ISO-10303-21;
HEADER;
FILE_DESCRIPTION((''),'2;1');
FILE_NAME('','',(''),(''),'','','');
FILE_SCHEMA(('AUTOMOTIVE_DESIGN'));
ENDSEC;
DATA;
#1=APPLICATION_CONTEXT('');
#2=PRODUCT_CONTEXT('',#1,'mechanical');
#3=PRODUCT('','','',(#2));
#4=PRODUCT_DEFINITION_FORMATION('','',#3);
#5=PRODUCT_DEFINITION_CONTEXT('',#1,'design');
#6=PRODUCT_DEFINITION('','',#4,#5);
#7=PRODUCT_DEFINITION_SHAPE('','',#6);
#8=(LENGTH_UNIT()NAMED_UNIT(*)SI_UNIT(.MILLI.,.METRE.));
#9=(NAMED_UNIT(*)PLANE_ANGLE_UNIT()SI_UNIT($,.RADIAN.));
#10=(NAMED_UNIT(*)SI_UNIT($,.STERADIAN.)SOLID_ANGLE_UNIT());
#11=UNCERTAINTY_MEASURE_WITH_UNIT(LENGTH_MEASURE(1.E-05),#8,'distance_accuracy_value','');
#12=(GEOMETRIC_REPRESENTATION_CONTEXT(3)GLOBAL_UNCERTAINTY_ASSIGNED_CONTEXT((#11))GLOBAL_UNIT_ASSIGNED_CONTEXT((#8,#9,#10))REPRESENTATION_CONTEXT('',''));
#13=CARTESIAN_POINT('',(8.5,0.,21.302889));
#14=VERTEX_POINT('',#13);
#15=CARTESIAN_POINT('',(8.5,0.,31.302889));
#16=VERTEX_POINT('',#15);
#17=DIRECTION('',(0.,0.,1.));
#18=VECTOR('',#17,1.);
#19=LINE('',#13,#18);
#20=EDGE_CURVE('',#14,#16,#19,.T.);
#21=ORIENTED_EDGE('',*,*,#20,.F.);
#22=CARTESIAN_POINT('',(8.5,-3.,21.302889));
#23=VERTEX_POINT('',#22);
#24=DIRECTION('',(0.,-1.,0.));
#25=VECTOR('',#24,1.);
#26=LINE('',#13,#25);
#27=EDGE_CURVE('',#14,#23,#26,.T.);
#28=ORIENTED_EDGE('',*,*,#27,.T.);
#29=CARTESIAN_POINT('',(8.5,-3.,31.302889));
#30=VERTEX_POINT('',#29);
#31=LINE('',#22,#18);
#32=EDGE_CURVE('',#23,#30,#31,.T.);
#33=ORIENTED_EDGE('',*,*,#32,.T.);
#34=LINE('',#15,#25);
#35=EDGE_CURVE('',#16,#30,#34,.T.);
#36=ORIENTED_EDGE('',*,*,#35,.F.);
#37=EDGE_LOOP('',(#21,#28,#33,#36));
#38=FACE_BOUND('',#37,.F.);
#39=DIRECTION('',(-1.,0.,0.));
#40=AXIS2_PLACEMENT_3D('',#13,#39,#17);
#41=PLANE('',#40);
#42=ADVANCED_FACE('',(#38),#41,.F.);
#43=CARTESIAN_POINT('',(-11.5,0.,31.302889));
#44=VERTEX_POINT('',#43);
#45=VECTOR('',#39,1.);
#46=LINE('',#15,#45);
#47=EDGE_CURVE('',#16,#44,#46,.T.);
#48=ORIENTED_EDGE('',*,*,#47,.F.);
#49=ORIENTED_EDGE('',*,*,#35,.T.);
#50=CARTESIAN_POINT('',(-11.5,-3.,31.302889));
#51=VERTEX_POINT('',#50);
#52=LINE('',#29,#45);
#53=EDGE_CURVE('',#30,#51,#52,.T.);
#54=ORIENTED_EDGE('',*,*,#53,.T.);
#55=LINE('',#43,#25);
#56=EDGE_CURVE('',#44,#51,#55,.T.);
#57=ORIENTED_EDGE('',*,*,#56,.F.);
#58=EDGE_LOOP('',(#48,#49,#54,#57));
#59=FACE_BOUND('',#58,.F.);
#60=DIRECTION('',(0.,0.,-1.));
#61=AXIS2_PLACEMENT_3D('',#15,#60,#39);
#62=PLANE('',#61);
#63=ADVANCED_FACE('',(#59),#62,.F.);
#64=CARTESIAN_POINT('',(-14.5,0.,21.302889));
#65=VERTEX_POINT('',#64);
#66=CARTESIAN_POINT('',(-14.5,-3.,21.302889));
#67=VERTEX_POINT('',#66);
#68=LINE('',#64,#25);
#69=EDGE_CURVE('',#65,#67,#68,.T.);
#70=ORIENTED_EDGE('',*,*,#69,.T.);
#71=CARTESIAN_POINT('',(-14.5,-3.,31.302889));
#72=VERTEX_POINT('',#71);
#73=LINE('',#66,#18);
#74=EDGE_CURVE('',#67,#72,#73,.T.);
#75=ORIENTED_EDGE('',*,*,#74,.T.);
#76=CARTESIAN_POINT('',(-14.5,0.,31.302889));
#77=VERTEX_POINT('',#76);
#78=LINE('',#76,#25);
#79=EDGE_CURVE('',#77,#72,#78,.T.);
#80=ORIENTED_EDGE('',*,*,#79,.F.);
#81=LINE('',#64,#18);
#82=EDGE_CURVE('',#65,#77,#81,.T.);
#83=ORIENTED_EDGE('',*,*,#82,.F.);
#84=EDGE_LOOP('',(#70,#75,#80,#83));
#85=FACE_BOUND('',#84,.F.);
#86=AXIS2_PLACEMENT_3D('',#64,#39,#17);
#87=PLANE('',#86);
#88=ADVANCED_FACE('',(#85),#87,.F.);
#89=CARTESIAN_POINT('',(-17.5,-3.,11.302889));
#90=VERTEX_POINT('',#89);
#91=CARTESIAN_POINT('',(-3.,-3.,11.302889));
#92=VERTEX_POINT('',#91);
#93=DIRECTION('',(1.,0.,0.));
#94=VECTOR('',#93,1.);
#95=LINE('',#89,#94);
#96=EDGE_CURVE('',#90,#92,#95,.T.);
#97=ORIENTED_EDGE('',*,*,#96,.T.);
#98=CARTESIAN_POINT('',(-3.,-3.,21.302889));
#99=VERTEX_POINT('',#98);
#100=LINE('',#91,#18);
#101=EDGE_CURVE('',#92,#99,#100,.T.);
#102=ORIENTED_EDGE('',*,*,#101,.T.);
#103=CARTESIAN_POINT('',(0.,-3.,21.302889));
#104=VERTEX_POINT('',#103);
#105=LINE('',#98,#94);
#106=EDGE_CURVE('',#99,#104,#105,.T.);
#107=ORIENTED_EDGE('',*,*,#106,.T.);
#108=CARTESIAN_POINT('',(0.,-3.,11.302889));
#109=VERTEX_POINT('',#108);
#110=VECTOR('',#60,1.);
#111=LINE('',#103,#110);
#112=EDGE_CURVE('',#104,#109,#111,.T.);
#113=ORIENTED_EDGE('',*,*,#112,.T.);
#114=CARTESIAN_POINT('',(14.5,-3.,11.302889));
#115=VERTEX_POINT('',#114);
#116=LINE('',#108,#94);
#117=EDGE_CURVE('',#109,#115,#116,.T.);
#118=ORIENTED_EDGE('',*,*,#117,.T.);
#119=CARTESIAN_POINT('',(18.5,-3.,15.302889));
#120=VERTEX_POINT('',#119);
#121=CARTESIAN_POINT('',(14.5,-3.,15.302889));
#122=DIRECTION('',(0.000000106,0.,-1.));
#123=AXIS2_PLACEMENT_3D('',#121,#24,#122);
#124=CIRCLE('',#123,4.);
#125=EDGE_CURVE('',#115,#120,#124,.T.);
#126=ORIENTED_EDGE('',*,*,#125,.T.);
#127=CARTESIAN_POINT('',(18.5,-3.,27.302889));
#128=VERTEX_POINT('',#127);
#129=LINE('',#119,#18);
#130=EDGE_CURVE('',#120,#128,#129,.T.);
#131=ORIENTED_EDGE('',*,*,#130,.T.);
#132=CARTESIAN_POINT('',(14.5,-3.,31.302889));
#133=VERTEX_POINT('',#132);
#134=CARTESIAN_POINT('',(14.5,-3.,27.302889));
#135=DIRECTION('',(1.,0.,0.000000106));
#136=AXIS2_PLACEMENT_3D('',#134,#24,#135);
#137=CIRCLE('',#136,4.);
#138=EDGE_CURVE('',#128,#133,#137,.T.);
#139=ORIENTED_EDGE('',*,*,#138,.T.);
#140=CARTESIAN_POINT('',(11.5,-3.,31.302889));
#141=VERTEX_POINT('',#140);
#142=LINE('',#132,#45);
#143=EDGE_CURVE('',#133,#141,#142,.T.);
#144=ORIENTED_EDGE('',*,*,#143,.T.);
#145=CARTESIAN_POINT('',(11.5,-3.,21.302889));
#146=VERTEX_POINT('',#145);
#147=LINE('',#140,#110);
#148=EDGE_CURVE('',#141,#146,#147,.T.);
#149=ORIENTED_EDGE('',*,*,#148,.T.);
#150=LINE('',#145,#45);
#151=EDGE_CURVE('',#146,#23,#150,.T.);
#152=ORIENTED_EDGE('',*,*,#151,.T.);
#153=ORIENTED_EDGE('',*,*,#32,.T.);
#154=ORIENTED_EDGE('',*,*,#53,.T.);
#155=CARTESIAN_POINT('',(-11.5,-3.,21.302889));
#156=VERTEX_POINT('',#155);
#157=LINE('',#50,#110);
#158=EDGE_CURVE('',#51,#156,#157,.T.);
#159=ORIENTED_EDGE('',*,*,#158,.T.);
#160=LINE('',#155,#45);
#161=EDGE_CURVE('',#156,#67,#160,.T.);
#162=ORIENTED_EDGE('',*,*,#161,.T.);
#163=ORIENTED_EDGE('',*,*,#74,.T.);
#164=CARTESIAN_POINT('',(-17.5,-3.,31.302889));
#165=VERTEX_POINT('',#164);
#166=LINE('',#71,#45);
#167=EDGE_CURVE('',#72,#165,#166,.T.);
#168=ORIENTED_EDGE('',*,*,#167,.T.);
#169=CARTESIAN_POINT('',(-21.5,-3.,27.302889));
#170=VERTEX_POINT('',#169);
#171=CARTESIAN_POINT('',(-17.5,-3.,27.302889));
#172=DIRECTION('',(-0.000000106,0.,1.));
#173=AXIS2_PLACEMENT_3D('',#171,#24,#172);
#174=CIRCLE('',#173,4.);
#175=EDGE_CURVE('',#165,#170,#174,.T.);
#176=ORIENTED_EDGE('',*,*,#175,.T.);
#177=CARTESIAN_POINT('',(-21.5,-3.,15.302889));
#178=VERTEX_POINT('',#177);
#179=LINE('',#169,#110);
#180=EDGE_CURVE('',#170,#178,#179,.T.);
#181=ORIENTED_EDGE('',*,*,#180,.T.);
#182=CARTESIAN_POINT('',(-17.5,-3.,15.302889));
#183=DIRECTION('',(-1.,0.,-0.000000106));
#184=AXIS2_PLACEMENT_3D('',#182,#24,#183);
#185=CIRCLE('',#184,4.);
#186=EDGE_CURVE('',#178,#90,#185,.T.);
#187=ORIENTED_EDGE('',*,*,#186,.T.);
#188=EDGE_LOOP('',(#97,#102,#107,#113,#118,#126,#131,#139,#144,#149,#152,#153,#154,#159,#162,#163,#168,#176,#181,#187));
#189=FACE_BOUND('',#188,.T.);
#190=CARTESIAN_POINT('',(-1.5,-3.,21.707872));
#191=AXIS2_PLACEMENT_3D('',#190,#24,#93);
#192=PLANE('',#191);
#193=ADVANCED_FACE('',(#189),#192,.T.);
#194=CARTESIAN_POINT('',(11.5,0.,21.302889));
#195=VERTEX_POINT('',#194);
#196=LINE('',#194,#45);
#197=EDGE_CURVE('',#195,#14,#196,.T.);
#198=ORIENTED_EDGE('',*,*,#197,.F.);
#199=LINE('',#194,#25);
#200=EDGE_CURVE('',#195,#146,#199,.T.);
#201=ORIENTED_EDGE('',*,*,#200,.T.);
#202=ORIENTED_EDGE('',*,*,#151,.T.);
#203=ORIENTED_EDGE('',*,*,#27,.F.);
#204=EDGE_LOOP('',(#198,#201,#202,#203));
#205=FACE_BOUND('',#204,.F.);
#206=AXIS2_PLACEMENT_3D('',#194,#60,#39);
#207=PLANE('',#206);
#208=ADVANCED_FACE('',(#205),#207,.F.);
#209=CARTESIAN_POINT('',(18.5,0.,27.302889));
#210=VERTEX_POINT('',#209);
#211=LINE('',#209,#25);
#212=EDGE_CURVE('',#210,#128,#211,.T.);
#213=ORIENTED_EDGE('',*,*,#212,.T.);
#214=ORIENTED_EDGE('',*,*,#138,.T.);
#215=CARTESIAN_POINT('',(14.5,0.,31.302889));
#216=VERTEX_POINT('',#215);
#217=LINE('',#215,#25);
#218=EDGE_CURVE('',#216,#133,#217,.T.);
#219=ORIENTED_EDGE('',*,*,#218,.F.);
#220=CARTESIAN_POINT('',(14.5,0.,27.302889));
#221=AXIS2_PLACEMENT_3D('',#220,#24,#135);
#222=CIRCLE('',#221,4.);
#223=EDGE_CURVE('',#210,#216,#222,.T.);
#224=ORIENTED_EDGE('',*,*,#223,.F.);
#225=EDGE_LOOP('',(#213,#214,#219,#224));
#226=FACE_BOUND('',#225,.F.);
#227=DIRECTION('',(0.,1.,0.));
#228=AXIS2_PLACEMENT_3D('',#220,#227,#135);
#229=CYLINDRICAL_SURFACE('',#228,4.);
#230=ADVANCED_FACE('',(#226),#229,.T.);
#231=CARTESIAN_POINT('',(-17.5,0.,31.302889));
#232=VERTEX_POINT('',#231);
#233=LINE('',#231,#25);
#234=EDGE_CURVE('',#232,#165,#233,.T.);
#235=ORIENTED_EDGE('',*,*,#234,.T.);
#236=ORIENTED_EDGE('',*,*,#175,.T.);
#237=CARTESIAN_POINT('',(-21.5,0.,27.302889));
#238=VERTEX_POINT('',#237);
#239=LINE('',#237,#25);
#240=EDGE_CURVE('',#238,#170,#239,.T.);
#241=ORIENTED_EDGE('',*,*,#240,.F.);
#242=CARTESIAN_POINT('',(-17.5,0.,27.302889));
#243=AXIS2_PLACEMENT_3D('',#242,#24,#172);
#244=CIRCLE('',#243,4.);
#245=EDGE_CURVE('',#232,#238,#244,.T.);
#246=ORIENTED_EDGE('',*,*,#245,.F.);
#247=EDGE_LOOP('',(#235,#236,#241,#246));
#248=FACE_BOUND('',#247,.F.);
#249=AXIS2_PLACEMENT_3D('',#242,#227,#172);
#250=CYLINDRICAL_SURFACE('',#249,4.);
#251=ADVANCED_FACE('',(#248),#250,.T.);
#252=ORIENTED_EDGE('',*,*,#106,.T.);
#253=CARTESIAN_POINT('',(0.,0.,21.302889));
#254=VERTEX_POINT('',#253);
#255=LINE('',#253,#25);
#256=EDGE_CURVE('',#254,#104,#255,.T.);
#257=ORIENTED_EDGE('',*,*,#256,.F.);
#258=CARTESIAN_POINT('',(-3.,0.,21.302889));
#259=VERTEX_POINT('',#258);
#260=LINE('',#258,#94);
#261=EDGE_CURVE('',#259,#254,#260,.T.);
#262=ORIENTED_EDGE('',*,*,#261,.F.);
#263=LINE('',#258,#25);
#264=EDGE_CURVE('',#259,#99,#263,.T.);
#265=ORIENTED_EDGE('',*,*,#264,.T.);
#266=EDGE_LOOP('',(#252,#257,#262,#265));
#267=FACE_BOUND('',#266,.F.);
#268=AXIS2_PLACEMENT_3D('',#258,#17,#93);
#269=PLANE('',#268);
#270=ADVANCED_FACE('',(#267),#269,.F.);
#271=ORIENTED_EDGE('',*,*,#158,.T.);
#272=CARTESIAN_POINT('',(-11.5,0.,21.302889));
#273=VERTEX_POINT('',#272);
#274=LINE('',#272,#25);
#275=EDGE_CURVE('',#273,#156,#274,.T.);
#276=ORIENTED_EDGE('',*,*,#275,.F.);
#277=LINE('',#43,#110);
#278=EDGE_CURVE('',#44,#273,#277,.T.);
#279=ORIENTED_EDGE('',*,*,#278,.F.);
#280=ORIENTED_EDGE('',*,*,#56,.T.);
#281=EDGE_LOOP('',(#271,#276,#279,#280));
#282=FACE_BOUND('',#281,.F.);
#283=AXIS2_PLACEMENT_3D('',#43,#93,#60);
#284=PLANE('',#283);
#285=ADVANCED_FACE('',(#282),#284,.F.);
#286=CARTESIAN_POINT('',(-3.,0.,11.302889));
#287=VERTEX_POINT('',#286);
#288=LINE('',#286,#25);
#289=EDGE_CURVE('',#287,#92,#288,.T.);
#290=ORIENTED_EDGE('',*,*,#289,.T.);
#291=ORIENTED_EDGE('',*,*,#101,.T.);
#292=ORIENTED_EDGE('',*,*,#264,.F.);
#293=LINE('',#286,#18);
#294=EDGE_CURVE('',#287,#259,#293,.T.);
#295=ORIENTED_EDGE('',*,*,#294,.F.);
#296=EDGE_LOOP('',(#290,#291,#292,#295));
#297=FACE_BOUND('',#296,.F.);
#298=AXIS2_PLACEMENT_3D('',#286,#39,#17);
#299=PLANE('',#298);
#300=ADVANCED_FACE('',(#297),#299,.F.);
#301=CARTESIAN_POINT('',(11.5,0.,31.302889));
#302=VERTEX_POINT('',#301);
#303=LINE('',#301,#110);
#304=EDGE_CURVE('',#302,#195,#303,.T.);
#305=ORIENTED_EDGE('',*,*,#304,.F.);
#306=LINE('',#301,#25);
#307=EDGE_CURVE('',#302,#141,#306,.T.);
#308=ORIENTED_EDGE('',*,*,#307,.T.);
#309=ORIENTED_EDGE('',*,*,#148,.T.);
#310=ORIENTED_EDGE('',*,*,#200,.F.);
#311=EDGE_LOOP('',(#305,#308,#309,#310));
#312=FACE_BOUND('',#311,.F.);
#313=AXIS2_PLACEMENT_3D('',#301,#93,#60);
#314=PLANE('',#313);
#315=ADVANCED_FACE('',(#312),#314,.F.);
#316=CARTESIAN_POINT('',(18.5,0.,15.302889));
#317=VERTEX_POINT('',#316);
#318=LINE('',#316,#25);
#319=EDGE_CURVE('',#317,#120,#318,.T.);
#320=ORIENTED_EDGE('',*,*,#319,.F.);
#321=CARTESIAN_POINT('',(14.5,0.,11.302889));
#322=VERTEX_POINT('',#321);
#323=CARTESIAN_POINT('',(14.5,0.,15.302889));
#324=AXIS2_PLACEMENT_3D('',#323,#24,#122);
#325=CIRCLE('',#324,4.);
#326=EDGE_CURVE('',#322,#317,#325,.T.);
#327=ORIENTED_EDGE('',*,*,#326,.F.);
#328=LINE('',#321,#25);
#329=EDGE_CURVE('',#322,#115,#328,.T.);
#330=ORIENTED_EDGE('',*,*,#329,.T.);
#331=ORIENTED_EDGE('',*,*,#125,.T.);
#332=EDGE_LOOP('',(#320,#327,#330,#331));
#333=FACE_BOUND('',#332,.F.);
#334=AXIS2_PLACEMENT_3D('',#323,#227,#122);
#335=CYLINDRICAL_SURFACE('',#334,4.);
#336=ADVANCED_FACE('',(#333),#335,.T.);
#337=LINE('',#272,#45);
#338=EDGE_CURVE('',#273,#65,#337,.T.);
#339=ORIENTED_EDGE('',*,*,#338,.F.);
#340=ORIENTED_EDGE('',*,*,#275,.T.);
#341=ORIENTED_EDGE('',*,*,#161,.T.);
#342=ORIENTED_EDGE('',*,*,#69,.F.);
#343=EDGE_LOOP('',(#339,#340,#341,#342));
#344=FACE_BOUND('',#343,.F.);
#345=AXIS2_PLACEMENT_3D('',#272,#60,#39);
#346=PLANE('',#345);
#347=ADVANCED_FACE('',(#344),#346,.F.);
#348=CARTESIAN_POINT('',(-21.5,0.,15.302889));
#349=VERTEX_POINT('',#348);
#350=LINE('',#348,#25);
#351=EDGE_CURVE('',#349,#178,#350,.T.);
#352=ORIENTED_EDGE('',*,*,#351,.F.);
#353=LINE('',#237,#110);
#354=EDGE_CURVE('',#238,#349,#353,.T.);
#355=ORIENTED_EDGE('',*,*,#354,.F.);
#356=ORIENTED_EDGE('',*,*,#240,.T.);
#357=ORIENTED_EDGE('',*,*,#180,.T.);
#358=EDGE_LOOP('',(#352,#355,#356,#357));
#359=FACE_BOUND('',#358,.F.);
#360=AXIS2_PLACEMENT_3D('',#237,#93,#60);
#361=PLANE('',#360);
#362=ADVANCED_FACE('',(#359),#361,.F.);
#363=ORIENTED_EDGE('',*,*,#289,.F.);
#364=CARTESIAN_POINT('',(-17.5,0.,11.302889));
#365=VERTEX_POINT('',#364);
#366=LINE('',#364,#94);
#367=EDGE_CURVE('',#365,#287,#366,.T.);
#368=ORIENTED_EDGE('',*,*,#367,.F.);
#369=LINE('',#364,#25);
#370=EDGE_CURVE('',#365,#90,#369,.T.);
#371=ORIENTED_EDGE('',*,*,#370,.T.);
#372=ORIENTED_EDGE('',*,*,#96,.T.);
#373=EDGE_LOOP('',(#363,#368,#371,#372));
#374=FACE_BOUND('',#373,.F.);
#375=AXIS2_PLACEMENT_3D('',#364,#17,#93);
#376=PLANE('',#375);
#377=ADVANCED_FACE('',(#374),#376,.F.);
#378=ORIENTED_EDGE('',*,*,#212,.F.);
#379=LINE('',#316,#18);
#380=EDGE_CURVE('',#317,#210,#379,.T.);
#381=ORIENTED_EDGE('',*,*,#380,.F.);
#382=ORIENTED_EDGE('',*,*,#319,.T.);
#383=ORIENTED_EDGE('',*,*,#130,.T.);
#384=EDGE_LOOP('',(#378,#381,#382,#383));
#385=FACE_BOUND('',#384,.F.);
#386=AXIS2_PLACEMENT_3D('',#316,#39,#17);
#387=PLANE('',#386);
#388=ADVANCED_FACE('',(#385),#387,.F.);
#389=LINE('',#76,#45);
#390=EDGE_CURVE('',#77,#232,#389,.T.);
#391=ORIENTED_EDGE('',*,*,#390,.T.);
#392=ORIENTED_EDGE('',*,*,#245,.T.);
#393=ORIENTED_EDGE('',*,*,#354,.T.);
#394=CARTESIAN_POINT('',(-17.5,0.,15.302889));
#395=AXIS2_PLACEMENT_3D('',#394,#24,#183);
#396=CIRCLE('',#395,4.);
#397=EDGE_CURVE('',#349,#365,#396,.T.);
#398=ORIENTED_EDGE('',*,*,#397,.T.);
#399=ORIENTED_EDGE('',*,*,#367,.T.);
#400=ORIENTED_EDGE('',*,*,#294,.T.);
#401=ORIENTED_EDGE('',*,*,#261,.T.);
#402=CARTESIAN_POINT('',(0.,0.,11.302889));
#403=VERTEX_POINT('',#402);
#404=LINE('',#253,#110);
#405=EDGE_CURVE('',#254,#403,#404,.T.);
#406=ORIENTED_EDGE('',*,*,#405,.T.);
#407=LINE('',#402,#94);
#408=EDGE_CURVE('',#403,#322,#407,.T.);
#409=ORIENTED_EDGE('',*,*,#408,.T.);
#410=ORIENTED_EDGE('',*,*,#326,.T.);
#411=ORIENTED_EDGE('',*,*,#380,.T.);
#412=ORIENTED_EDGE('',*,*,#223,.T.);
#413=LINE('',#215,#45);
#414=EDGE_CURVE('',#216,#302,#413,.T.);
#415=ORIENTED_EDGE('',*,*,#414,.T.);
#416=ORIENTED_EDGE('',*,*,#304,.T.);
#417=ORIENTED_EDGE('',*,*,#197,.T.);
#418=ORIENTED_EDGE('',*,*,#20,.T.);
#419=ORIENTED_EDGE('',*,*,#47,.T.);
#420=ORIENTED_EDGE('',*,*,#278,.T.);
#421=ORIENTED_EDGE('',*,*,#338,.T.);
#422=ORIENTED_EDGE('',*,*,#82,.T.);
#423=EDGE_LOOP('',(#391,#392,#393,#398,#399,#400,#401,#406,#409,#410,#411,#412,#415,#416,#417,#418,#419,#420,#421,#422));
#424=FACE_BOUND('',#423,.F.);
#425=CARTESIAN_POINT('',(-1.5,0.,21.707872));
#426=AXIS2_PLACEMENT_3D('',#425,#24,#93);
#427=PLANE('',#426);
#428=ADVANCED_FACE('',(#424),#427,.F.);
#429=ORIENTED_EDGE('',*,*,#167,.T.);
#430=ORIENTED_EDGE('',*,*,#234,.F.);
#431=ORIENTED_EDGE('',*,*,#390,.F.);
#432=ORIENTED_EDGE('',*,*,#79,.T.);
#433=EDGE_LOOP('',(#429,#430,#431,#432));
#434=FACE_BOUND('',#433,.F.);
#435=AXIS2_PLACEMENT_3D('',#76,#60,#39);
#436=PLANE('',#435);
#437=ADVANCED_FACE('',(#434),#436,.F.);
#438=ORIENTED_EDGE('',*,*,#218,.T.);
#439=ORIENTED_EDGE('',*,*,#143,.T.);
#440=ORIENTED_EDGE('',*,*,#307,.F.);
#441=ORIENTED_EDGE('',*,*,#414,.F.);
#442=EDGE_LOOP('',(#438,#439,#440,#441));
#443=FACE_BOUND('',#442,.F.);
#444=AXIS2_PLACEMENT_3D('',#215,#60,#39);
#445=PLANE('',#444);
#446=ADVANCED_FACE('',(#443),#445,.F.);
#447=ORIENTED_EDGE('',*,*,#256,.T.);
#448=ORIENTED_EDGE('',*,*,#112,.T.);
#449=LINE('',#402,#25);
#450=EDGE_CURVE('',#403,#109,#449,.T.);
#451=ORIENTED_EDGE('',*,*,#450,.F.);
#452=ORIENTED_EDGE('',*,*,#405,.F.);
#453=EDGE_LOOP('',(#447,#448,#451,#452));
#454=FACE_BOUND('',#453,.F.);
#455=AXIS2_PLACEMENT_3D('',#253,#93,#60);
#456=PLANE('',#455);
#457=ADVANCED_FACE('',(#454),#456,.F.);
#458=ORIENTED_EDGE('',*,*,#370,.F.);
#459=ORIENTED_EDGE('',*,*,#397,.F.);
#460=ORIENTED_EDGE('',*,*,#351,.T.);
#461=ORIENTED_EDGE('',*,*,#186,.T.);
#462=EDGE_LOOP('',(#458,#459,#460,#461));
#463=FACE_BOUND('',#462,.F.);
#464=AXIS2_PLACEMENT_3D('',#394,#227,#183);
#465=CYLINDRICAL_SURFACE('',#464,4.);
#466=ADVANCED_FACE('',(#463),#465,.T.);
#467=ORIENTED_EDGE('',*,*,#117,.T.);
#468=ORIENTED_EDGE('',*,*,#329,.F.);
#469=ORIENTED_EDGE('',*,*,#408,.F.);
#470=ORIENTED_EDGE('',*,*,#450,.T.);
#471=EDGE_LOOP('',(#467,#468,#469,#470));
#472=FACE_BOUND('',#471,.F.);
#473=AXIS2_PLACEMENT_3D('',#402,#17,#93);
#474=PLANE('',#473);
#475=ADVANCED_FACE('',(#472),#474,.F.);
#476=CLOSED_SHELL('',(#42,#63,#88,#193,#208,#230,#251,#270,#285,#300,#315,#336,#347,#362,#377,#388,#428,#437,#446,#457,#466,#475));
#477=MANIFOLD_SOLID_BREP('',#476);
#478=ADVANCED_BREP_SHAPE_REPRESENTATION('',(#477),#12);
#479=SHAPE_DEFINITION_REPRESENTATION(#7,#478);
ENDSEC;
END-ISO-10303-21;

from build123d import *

# Parameters (mm, degrees)
F1_DEPTH = 3


with BuildPart() as f1:
    # F0 (on Front) → F1 (new body)
    with BuildSketch(Plane.XZ):
        with BuildLine():
            Line((-14.5, 31.302889), (-17.5, 31.302889))
            ThreePointArc((-17.5, 31.302889), (-20.328427, 30.131316), (-21.5, 27.302889))
            Line((-21.5, 27.302889), (-21.5, 15.302889))
            ThreePointArc((-21.5, 15.302889), (-20.328427, 12.474462), (-17.5, 11.302889))
            Line((-17.5, 11.302889), (-3, 11.302889))
            Line((-3, 11.302889), (-3, 21.302889))
            Line((-3, 21.302889), (0, 21.302889))
            Line((0, 21.302889), (0, 11.302889))
            Line((0, 11.302889), (14.5, 11.302889))
            ThreePointArc((14.5, 11.302889), (17.328427, 12.474462), (18.5, 15.302889))
            Line((18.5, 15.302889), (18.5, 27.302889))
            ThreePointArc((18.5, 27.302889), (17.328427, 30.131316), (14.5, 31.302889))
            Line((14.5, 31.302889), (11.5, 31.302889))
            Line((11.5, 31.302889), (11.5, 21.302889))
            Line((11.5, 21.302889), (8.5, 21.302889))
            Line((8.5, 21.302889), (8.5, 31.302889))
            Line((8.5, 31.302889), (-11.5, 31.302889))
            Line((-11.5, 31.302889), (-11.5, 21.302889))
            Line((-11.5, 21.302889), (-14.5, 21.302889))
            Line((-14.5, 21.302889), (-14.5, 31.302889))
        make_face()
    extrude(amount=F1_DEPTH)


solid = f1.part
